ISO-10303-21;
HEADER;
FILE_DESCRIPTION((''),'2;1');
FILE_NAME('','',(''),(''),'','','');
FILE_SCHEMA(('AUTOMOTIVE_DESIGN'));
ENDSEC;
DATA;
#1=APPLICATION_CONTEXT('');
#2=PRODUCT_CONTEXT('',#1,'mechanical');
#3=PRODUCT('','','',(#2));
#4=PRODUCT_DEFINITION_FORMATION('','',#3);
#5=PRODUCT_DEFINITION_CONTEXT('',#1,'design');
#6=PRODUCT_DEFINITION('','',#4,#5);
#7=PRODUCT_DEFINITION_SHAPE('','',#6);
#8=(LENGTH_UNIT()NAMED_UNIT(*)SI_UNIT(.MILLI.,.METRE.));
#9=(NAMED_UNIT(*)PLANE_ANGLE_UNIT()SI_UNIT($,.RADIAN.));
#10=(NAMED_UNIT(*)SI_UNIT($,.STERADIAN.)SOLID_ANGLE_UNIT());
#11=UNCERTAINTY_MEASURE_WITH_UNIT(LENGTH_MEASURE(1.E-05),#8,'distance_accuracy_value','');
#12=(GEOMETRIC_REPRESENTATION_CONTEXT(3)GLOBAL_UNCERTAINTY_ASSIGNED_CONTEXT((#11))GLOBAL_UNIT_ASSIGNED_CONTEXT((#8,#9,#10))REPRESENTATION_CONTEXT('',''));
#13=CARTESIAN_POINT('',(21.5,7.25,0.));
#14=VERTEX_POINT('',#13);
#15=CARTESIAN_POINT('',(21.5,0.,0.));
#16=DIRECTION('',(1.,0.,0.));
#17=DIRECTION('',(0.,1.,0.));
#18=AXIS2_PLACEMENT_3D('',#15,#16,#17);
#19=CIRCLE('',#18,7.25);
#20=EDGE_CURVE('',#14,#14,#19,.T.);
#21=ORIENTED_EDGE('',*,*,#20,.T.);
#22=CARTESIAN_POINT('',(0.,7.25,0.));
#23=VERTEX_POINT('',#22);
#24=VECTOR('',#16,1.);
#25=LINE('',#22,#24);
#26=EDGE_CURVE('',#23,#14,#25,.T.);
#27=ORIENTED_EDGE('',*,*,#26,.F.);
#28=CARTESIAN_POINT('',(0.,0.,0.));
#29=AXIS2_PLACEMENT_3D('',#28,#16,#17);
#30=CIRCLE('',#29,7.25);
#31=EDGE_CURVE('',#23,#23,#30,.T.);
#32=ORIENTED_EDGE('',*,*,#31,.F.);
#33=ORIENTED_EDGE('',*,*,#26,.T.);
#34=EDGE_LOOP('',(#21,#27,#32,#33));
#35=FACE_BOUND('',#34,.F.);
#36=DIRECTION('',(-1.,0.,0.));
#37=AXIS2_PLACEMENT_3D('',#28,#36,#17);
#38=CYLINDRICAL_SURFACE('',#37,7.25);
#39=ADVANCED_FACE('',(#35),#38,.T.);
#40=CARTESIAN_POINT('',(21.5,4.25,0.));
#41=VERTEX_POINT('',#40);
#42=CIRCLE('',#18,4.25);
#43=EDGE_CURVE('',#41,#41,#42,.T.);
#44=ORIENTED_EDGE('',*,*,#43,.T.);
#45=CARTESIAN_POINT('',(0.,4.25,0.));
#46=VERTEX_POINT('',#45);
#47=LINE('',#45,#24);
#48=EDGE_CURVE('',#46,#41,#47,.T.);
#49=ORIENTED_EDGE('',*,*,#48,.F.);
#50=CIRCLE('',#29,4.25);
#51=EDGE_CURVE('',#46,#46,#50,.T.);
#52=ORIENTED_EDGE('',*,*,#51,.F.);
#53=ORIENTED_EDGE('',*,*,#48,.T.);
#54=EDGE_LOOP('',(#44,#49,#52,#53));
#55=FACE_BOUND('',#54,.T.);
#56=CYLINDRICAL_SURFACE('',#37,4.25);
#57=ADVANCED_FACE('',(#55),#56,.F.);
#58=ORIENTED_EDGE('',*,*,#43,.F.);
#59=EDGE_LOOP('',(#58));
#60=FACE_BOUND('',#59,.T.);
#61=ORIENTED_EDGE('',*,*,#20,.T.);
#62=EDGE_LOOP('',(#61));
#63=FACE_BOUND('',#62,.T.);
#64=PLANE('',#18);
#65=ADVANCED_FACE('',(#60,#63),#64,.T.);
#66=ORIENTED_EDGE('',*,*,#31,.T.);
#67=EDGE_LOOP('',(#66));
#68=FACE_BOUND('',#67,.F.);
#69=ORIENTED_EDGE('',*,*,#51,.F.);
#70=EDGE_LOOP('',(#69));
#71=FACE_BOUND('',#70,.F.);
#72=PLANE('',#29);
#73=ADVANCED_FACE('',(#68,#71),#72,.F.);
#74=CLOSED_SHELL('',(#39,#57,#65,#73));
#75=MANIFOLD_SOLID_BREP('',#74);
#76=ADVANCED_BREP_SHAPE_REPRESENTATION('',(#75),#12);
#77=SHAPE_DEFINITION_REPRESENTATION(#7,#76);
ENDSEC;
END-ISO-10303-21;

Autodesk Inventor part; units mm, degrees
ref_plane "YZ Plane" through (0, 0, 0) normal (1, 0, 0) x (0, 1, 0)
ref_plane "XZ Plane" through (0, 0, 0) normal (0, 1, 0) x (-1, 0, 0)
ref_plane "XY Plane" through (0, 0, 0) normal (0, 0, 1) x (1, 0, 0)
sketch "Sketch1" plane through (0, 0, 0) normal (1, 0, 0) x (0, 1, 0)
  circle A0 centre (0, 0) radius 4.25
  circle A1 centre (0, 0) radius 7.25
  dimension "d0" = 8.5
  dimension "d1" = 14.5
extrude "Extrusion1" add sketch "Sketch1" along normal blind 21.5
properties part number "21 mm M8 Spacer"
